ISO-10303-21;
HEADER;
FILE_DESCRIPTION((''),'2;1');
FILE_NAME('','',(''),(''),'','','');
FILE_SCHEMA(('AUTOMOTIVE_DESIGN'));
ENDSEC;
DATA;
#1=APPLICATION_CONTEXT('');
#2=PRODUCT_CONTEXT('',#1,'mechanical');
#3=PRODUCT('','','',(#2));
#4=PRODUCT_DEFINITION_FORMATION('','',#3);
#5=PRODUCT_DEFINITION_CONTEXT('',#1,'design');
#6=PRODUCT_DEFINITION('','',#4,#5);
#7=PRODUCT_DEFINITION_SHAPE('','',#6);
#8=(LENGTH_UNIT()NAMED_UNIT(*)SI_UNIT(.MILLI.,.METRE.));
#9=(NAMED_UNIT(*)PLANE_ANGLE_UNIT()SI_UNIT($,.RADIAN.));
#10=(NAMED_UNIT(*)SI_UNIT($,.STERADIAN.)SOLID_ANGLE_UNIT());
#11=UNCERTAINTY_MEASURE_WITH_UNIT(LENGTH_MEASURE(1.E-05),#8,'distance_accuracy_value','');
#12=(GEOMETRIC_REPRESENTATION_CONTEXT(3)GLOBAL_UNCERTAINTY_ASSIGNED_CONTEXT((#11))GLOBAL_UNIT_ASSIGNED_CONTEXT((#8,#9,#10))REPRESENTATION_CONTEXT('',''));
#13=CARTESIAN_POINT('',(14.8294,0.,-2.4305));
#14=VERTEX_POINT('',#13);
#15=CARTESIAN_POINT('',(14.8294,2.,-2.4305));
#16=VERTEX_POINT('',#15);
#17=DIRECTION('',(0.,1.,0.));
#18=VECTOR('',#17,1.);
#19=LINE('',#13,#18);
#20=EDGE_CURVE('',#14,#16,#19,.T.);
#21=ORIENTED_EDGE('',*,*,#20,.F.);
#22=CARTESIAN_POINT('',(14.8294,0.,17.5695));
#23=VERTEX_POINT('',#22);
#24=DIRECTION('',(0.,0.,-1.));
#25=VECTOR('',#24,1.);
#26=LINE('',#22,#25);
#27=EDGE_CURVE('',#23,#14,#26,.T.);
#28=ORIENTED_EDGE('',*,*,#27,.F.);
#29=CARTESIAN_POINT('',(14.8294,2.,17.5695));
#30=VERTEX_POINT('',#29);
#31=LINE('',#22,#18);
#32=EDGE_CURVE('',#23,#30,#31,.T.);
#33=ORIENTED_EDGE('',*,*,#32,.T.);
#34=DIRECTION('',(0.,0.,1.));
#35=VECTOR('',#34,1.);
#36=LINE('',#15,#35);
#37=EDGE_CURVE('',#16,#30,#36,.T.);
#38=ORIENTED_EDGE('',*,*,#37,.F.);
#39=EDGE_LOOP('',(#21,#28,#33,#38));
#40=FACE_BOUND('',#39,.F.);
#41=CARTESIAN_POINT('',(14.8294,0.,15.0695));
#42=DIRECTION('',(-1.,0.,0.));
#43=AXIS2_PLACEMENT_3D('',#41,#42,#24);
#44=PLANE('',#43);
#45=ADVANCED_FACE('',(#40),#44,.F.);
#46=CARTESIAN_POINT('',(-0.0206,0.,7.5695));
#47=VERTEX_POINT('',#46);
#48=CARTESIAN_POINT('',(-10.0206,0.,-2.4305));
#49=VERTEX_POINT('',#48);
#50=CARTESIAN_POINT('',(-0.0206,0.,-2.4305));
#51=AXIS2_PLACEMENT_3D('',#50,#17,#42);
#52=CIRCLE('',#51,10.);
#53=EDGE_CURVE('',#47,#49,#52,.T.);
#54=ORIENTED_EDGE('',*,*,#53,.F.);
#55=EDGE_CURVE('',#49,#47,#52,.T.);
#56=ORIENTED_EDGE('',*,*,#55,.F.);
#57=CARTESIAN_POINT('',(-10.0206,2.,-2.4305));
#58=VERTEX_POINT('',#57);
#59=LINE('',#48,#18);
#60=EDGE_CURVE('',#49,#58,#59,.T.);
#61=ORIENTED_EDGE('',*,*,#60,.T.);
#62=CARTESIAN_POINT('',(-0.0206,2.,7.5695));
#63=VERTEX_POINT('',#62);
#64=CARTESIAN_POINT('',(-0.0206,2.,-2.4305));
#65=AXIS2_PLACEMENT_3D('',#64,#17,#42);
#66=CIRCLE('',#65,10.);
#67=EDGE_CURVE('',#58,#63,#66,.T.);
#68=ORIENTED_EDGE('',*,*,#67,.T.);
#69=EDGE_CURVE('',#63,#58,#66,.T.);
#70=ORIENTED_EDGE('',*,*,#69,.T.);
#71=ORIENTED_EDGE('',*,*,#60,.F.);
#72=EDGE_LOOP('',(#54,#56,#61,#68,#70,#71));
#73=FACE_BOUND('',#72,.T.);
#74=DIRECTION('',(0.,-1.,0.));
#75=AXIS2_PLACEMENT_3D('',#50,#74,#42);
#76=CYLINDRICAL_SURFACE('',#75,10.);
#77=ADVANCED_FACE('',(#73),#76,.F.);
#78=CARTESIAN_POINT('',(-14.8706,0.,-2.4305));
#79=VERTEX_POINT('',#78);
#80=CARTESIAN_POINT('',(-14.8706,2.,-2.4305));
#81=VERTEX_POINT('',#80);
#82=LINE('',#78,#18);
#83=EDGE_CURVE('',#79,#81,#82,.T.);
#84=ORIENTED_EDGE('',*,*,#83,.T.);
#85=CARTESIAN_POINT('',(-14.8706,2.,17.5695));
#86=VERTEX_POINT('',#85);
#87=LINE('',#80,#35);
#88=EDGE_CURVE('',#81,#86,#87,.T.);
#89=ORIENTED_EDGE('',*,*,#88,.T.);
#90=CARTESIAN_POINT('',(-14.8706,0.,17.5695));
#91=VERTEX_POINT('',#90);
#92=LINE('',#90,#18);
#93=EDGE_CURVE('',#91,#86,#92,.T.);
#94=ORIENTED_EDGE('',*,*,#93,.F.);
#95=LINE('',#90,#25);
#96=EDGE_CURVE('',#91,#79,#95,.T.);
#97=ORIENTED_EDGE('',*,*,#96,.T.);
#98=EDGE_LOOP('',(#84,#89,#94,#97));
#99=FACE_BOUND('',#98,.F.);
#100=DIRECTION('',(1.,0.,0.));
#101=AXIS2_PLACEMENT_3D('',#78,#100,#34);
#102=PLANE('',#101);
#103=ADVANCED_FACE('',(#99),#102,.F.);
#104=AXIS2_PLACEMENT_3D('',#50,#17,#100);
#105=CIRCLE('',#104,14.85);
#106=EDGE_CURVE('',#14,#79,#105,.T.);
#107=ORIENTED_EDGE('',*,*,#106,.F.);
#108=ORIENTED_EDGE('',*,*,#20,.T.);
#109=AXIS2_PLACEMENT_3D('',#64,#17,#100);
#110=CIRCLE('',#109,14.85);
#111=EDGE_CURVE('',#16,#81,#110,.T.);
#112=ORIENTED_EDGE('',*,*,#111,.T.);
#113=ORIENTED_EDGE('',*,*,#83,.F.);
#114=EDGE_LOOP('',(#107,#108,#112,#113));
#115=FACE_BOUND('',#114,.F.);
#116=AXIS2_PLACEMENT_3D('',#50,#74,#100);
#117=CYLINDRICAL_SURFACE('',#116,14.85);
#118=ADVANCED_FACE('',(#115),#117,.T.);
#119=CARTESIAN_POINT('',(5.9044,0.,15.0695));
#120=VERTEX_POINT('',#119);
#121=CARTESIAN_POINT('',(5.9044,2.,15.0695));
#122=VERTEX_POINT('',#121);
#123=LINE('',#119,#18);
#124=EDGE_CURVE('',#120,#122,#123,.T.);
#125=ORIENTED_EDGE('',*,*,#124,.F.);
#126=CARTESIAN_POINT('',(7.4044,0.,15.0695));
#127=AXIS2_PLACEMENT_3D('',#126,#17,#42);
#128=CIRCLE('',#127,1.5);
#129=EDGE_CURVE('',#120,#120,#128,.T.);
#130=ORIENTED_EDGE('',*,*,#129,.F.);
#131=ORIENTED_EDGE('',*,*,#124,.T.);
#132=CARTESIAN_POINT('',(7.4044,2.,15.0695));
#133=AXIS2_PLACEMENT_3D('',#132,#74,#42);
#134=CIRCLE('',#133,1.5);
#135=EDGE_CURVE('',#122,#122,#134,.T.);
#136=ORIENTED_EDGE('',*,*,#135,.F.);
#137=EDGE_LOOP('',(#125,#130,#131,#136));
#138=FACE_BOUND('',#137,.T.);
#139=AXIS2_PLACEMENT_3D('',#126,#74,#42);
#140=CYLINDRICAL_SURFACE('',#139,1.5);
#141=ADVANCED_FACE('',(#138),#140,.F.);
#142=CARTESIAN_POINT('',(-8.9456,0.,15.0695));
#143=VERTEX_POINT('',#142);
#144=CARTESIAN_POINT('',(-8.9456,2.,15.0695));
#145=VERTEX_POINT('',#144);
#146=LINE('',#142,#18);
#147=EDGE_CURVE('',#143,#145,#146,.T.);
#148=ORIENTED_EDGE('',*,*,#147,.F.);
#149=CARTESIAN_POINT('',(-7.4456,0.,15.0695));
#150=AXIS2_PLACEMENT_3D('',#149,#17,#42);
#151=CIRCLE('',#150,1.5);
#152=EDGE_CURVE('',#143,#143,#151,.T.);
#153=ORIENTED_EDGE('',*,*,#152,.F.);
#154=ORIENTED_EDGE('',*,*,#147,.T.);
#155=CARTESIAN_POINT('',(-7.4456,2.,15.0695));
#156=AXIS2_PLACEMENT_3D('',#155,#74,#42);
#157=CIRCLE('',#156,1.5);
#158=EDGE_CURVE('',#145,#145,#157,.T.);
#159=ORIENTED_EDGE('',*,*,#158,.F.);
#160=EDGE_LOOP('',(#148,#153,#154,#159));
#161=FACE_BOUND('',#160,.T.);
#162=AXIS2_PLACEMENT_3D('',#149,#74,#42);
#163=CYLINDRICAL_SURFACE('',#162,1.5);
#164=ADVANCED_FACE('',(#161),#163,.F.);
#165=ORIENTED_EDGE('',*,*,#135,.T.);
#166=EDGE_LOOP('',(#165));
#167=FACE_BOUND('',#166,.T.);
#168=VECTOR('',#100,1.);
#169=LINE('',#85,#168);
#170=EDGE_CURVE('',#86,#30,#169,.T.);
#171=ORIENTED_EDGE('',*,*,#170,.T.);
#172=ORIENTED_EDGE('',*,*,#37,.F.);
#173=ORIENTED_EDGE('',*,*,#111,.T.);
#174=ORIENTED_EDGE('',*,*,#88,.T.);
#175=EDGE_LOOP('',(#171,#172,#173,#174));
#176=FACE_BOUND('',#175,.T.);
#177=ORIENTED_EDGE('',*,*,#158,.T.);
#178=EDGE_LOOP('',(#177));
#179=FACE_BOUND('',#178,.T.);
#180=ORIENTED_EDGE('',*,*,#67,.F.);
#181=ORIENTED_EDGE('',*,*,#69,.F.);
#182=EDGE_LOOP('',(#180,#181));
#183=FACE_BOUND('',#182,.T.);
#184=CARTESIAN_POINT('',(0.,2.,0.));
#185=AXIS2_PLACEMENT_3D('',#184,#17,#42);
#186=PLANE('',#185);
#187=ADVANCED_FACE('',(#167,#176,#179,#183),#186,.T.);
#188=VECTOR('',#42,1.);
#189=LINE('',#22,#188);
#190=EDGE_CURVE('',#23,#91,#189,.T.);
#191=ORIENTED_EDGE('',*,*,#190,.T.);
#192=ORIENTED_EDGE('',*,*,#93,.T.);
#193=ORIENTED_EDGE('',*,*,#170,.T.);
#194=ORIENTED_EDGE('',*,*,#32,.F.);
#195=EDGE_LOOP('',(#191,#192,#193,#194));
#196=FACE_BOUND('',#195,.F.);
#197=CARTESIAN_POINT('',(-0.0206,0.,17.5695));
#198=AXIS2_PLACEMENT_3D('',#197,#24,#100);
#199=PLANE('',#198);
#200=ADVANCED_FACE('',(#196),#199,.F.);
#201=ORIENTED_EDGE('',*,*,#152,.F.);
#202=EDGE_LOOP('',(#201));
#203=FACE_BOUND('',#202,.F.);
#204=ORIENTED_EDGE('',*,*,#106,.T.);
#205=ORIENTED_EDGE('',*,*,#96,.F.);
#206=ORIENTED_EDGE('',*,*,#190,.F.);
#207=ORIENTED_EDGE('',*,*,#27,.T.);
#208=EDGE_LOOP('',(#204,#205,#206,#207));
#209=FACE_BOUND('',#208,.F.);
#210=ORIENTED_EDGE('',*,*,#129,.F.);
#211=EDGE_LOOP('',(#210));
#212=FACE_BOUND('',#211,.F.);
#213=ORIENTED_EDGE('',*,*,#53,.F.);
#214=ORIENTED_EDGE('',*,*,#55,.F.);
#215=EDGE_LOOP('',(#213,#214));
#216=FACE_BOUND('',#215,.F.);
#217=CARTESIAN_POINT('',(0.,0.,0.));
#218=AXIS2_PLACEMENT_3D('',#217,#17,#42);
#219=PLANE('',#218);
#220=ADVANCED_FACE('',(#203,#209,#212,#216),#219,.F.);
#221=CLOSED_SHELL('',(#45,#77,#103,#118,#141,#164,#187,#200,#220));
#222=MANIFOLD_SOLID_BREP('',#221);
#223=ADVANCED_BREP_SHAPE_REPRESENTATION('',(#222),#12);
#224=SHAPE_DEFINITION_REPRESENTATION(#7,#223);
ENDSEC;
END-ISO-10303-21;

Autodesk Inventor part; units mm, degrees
ref_plane "YZ Plane" through (0, 0, 0) normal (1, 0, 0) x (0, 1, 0)
ref_plane "XZ Plane" through (0, 0, 0) normal (0, 1, 0) x (-1, 0, 0)
ref_plane "XY Plane" through (0, 0, 0) normal (0, 0, 1) x (1, 0, 0)
sketch "Sketch1" plane through (0, 0, 0) normal (0, 1, 0) x (-1, 0, 0)
  arc A0 (-14.8294, -2.4305) -> (14.8706, -2.4305) centre (0.0206, -2.4305) ccw
  line L0 (14.8706, 17.5695) -> (-14.8294, 17.5695)
  line L1 (14.8706, -2.4305) -> (14.8706, 17.5695)
  line L2 (14.8706, 17.5695) -> (-14.8294, 17.5695)
  line L3 (-14.8294, 17.5695) -> (-14.8294, -2.4305)
  circle A1 centre (0.0206, -2.4305) radius 10
  line L4 (0.0206, 17.5695) -> (0.0206, 7.5695)
  line L5 (0.0206, 17.5695) -> (0.0206, 15.0695)
  line L6 (-14.8294, 15.0695) -> (0.0206, 15.0695)
  line L7 (1.5206, 17.5695) -> (1.5206, 12.5695)
  line L8 (0.0206, 15.0695) -> (14.8706, 15.0695)
  circle A2 centre (-7.4044, 15.0695) radius 1.5
  circle A3 centre (7.4456, 15.0695) radius 1.5
  point P0 (0, 0)
  dimension "d0" = 20
  dimension "d1" = 3
  dimension "d2" = 3
extrude "Extrusion1" add sketch "Sketch1" along normal blind 2 contours L3 L6 A2 L8 A3 L1 A0 | L3 L0 L4 L6 A2 | L8 A3 L7 L0 L1 | L0 L7 L8 L4
thread "Thread1" size "M3x0.5" class "6H" standard "ANSI Metric M Profile" full length
thread "Thread2" size "M3x0.5" class "6H" standard "ANSI Metric M Profile" full length
properties part number "Holder Cover"
